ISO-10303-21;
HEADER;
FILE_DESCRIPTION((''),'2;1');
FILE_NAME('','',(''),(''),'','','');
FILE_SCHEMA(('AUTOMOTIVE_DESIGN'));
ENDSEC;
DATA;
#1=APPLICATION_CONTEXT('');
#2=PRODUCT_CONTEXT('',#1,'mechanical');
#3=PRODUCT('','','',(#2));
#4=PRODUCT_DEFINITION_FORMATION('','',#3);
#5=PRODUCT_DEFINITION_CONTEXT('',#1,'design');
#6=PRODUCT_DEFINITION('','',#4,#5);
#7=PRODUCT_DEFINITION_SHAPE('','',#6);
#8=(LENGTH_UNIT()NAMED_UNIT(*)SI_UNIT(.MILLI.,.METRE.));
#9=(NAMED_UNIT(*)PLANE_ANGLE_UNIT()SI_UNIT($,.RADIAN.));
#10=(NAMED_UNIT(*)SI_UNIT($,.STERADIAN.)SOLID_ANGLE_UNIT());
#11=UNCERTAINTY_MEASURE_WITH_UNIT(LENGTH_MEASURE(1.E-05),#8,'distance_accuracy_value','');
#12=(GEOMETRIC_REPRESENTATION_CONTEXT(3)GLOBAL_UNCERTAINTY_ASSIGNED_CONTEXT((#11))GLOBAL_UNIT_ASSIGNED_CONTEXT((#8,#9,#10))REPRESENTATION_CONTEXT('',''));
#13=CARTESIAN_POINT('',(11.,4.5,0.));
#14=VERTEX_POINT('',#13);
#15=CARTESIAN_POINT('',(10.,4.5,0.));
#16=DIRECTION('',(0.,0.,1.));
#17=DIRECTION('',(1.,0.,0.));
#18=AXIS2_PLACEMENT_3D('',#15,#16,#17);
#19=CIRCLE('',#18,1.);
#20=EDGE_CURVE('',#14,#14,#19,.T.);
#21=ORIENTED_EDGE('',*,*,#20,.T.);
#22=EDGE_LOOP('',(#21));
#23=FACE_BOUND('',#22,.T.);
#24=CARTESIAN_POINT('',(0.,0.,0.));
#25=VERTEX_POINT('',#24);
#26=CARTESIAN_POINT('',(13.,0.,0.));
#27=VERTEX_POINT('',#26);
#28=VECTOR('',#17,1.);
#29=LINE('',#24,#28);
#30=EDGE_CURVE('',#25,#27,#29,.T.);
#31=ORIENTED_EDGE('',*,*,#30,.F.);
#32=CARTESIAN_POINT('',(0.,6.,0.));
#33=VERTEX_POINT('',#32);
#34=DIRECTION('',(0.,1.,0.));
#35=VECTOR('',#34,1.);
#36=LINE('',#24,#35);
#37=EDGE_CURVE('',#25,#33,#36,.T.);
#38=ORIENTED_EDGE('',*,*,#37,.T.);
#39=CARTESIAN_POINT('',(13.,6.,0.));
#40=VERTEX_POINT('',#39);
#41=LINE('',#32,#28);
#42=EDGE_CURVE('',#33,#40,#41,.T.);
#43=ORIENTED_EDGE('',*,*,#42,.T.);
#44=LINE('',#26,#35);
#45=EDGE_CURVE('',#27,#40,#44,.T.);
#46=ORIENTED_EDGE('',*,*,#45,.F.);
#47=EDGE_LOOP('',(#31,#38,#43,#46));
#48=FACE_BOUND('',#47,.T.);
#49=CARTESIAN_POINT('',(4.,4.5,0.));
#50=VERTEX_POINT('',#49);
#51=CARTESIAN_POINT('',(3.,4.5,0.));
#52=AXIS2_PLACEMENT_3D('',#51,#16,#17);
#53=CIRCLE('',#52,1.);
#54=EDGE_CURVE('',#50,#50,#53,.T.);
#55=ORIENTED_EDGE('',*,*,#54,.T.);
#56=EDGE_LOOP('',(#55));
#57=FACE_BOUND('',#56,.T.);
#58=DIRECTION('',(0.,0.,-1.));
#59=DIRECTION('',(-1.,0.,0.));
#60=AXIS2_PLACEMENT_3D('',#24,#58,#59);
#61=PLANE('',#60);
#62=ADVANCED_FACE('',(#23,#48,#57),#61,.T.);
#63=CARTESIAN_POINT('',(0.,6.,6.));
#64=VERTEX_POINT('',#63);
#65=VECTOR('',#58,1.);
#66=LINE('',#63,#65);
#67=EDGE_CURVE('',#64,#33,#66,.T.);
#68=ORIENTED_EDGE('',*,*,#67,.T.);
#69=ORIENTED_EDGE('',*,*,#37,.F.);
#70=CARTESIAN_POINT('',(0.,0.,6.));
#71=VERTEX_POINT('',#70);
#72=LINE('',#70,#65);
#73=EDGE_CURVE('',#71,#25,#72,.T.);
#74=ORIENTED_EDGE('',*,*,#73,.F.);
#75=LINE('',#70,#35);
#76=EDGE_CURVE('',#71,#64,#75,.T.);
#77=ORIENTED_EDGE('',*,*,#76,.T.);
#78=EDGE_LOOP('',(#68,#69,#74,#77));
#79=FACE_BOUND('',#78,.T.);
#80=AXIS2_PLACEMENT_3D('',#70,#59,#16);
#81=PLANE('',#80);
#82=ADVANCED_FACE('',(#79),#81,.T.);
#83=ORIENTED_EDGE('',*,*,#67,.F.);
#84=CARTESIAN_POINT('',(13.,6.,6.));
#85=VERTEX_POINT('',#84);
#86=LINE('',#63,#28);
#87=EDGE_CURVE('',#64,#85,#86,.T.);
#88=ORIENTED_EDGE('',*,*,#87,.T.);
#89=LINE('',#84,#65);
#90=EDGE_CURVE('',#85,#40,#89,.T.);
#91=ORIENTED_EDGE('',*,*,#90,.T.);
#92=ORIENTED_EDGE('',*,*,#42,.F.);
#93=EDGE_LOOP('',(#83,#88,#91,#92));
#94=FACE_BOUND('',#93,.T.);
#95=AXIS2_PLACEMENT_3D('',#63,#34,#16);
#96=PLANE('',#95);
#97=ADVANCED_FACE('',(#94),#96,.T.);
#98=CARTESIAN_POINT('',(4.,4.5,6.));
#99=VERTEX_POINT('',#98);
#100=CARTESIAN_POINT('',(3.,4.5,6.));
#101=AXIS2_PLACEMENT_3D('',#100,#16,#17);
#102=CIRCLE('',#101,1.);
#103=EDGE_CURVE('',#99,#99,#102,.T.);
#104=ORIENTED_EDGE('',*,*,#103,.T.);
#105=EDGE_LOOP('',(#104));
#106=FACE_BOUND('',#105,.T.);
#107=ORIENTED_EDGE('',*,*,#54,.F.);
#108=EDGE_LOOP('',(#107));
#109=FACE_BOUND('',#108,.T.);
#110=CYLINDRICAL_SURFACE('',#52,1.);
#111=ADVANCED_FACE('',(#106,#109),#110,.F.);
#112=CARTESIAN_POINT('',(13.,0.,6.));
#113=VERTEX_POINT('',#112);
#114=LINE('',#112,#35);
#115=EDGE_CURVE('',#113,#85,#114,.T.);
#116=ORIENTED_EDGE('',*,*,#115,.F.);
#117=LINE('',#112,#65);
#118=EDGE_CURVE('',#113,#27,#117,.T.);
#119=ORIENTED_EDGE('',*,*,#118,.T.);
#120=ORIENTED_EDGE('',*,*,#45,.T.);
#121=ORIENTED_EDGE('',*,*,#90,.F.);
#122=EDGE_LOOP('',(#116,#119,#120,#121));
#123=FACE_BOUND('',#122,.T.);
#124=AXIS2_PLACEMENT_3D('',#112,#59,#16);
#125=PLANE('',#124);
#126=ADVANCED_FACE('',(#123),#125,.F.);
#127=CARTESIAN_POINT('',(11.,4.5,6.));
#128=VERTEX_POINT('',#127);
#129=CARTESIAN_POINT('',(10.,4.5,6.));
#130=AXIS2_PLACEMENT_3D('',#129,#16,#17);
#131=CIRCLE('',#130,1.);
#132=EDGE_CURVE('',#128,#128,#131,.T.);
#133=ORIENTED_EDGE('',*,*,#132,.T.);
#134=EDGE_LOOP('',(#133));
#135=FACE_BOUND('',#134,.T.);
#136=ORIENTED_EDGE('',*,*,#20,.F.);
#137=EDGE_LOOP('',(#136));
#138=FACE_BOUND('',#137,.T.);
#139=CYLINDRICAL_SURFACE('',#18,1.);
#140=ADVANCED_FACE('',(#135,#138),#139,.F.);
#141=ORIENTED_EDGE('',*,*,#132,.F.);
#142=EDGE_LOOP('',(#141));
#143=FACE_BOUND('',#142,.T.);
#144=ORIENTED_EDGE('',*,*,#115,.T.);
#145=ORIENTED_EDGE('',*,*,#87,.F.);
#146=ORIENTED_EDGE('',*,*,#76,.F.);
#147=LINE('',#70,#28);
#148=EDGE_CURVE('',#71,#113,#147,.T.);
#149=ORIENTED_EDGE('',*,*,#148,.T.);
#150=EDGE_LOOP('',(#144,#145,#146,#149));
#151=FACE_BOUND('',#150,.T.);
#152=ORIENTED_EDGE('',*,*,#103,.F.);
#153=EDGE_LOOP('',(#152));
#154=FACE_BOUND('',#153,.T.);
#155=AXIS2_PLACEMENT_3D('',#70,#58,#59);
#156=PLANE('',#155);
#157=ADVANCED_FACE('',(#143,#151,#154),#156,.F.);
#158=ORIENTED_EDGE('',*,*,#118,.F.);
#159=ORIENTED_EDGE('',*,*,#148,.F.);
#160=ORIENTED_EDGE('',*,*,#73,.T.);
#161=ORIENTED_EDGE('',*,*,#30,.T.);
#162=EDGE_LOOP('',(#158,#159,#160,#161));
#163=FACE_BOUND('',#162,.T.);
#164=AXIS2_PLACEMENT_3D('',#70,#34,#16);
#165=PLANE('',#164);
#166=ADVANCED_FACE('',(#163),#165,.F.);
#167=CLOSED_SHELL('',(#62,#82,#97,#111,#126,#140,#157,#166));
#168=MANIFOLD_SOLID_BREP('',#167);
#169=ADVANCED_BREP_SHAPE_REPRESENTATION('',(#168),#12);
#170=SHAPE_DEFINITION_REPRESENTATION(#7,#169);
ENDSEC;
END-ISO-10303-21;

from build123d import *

# Parameters (mm, degrees)
SKETCH_1_W          = 13
SKETCH_1_H          = 6
EXTRUDE_1_DEPTH     = 6
SKETCH_2_R          = 1
CUT_EXTRUDE_1_DEPTH = 6


with BuildPart() as part:
    # 草图1 → 凸台-拉伸1 (new body)
    with BuildSketch(Plane.XY):
        with Locations((6.5, 3)):
            Rectangle(SKETCH_1_W, SKETCH_1_H)
    extrude(amount=EXTRUDE_1_DEPTH)

    # 草图2 → 切除-拉伸1 (cut)
    with BuildSketch(Plane.XY.offset(6)):
        with Locations((3, 4.5)):
            Circle(SKETCH_2_R)
        with Locations((10, 4.5)):
            Circle(SKETCH_2_R)
    extrude(amount=-CUT_EXTRUDE_1_DEPTH, mode=Mode.SUBTRACT)


solid = part.part
